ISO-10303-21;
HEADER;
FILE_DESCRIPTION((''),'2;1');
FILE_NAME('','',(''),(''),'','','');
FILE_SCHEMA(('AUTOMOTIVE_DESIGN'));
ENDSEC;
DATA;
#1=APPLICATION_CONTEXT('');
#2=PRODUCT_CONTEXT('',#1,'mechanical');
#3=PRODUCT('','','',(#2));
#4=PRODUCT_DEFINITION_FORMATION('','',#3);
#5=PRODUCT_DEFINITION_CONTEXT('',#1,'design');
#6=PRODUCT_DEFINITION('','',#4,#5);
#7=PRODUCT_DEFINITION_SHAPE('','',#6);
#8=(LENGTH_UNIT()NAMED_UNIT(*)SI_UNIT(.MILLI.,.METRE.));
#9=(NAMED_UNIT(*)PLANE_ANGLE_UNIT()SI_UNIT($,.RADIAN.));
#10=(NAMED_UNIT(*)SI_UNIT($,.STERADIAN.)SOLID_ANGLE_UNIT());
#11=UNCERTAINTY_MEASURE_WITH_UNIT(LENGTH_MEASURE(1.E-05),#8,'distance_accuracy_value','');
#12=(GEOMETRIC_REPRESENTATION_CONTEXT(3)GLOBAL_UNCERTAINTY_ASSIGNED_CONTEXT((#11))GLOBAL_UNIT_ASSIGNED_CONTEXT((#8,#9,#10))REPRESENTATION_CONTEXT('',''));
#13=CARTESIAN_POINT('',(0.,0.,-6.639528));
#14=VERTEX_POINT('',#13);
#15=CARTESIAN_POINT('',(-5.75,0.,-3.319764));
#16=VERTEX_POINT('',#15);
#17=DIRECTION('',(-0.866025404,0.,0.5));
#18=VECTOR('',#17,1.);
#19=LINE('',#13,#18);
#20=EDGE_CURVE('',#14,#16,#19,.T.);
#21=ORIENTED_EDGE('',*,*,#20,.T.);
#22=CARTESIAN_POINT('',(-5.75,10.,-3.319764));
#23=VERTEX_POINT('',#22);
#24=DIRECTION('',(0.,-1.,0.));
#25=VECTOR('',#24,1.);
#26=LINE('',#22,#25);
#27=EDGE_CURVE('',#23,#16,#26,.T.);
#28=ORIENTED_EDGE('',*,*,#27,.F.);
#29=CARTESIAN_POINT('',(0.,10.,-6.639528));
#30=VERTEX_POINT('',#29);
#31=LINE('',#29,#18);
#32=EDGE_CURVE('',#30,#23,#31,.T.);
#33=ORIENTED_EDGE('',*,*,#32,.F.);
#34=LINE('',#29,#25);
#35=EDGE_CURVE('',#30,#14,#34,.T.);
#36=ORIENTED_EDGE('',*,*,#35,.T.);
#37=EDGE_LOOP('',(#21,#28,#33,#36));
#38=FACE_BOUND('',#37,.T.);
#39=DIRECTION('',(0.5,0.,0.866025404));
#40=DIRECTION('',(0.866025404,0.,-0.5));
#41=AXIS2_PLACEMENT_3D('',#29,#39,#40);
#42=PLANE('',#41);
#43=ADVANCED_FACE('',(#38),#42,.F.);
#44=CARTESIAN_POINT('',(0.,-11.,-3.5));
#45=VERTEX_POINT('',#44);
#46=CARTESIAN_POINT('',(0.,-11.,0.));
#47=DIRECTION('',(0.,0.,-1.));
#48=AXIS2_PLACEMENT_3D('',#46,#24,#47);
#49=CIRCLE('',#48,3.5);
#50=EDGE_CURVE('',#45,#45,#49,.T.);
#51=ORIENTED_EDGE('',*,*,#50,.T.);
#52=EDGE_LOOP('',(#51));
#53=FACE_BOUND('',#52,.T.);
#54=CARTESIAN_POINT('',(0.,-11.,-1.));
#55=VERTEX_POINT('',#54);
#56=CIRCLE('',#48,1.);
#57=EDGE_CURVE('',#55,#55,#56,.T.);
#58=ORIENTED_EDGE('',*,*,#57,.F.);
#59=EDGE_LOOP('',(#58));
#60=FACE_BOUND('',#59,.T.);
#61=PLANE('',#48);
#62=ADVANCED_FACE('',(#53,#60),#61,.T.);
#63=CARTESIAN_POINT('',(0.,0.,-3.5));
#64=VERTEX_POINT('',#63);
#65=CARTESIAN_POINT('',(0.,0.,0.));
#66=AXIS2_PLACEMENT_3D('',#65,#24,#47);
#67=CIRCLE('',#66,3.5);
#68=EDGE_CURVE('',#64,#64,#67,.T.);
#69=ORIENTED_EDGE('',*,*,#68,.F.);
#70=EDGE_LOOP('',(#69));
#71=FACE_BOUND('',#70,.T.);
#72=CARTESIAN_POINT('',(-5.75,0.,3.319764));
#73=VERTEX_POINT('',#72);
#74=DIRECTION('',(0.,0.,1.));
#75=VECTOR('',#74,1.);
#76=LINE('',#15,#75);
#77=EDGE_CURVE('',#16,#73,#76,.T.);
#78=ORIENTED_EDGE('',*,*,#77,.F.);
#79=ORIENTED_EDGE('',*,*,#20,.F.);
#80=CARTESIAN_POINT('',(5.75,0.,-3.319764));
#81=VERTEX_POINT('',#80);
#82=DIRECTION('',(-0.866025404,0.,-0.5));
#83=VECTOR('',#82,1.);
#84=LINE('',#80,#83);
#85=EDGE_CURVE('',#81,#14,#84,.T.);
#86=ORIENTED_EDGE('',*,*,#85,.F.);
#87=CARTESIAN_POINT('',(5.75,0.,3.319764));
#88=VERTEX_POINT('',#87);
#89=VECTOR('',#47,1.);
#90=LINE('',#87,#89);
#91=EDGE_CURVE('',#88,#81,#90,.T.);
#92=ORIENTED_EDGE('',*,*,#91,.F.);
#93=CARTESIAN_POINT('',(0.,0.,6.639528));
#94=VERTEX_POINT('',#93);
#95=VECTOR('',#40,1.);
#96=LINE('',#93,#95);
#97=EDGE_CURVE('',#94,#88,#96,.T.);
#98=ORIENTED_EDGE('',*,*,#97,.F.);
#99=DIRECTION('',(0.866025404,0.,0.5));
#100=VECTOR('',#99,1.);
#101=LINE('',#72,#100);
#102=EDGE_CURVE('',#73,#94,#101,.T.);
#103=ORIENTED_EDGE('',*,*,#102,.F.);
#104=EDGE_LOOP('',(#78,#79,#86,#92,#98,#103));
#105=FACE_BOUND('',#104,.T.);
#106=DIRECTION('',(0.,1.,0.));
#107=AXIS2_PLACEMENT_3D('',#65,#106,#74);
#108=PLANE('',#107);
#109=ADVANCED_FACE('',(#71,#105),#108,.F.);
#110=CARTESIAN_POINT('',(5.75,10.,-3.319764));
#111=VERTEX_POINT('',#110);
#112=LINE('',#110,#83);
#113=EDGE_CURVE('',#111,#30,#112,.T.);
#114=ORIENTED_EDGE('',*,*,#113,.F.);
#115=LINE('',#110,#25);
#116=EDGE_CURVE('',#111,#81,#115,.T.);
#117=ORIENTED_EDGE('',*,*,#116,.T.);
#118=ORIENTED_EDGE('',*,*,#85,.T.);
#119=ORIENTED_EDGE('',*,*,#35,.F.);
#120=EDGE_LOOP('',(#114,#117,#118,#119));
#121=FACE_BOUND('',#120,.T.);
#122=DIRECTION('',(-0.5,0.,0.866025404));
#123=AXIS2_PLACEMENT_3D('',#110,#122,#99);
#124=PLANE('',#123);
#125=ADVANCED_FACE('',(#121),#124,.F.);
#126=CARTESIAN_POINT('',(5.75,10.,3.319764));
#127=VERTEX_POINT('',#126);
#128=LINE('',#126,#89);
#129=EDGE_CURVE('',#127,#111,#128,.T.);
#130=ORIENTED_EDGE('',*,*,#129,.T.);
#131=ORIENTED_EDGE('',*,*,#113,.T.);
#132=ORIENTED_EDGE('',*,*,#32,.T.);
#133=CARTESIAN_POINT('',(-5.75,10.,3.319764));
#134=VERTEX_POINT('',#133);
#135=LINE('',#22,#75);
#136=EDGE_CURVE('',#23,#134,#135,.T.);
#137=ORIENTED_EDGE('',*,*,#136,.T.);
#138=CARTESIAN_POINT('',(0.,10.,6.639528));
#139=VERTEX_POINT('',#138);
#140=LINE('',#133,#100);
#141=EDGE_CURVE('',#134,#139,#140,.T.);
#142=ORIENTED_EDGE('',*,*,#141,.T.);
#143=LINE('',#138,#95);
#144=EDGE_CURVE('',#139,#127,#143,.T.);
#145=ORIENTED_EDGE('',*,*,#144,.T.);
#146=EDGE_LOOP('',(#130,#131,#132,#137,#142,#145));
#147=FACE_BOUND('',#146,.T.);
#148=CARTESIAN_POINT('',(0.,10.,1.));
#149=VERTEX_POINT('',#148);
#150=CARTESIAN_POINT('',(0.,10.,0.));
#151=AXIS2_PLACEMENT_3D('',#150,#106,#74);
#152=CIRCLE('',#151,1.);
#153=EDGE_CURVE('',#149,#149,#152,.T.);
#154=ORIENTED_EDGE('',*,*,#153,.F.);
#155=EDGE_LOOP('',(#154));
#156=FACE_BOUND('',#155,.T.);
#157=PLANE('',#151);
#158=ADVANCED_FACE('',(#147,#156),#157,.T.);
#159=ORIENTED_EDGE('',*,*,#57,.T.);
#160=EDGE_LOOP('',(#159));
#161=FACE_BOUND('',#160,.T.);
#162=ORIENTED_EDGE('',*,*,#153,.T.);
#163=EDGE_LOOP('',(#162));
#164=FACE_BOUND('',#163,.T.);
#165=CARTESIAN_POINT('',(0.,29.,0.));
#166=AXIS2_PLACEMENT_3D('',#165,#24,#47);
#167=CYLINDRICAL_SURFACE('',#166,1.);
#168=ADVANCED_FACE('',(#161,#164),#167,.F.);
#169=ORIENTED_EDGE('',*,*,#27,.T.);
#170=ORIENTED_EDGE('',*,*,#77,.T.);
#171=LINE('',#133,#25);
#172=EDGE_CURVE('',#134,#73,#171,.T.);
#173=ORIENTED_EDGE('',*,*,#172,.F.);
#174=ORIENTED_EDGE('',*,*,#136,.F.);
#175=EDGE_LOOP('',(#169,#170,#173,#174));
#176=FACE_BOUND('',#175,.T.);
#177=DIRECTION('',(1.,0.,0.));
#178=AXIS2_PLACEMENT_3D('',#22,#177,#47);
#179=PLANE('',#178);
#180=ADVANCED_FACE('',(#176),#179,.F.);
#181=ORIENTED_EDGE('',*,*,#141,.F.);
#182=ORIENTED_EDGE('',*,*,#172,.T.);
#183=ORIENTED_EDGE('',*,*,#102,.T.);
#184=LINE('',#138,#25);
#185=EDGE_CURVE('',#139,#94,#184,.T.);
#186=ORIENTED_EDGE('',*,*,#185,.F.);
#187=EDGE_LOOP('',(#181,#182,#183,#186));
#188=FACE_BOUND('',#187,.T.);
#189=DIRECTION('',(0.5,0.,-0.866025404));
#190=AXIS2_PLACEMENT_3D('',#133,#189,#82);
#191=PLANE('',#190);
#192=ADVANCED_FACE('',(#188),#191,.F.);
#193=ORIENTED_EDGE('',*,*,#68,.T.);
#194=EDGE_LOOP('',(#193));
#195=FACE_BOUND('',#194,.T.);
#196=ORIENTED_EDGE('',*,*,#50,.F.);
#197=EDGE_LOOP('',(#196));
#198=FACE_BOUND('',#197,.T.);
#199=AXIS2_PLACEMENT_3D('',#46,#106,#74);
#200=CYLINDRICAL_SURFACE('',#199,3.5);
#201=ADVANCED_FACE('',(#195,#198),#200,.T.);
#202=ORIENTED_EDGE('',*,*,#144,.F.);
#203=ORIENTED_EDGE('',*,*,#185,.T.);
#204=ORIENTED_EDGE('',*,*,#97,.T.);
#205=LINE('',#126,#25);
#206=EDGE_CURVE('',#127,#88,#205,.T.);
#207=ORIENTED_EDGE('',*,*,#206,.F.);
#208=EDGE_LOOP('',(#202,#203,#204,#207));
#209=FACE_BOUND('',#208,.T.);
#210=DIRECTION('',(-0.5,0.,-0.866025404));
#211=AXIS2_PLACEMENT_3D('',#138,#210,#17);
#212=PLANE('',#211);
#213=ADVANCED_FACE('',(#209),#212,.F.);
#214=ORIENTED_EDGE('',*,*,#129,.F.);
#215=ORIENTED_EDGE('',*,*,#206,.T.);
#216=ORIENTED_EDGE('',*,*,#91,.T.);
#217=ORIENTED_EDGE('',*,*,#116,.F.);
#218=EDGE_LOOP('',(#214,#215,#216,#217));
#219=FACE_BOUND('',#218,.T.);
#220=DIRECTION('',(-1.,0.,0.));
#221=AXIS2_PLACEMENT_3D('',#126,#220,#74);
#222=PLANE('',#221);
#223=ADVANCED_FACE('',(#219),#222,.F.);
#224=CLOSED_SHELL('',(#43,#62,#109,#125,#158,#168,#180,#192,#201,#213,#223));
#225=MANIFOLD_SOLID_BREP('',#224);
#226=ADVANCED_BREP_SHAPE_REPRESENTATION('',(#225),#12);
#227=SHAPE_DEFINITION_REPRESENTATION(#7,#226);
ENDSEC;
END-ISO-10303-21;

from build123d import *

# Parameters (mm, degrees)
SALIENTE_EXTRUIR1_DEPTH = 10
CROQUIS2_R              = 3.5
SALIENTE_EXTRUIR2_DEPTH = 11
CROQUIS3_R              = 1
CORTAR_EXTRUIR1_DEPTH   = 40


with BuildPart() as part:
    # Croquis1 → Saliente-Extruir1 (new body)
    with BuildSketch(Plane(origin=(0, 0, 0), x_dir=(1, 0, 0), z_dir=(0, 1, 0))):
        Polygon((0, 6.639528096), (-5.75, 3.319764048), (-5.75, -3.319764048), (0, -6.639528096), (5.75, -3.319764048), (5.75, 3.319764048), align=None)
    extrude(amount=SALIENTE_EXTRUIR1_DEPTH)

    # Croquis2 → Saliente-Extruir2 (add)
    with BuildSketch(Plane.XZ):
        with Locations(Location((0, 0, 0), (0, 0, 270))):
            Circle(CROQUIS2_R)
    extrude(amount=SALIENTE_EXTRUIR2_DEPTH)

    # Croquis3 → Cortar-Extruir1 (cut)
    with BuildSketch(Plane.XZ.offset(11)):
        with Locations(Location((0, 0, 0), (0, 0, 270))):
            Circle(CROQUIS3_R)
    extrude(amount=-CORTAR_EXTRUIR1_DEPTH, mode=Mode.SUBTRACT)


solid = part.part
